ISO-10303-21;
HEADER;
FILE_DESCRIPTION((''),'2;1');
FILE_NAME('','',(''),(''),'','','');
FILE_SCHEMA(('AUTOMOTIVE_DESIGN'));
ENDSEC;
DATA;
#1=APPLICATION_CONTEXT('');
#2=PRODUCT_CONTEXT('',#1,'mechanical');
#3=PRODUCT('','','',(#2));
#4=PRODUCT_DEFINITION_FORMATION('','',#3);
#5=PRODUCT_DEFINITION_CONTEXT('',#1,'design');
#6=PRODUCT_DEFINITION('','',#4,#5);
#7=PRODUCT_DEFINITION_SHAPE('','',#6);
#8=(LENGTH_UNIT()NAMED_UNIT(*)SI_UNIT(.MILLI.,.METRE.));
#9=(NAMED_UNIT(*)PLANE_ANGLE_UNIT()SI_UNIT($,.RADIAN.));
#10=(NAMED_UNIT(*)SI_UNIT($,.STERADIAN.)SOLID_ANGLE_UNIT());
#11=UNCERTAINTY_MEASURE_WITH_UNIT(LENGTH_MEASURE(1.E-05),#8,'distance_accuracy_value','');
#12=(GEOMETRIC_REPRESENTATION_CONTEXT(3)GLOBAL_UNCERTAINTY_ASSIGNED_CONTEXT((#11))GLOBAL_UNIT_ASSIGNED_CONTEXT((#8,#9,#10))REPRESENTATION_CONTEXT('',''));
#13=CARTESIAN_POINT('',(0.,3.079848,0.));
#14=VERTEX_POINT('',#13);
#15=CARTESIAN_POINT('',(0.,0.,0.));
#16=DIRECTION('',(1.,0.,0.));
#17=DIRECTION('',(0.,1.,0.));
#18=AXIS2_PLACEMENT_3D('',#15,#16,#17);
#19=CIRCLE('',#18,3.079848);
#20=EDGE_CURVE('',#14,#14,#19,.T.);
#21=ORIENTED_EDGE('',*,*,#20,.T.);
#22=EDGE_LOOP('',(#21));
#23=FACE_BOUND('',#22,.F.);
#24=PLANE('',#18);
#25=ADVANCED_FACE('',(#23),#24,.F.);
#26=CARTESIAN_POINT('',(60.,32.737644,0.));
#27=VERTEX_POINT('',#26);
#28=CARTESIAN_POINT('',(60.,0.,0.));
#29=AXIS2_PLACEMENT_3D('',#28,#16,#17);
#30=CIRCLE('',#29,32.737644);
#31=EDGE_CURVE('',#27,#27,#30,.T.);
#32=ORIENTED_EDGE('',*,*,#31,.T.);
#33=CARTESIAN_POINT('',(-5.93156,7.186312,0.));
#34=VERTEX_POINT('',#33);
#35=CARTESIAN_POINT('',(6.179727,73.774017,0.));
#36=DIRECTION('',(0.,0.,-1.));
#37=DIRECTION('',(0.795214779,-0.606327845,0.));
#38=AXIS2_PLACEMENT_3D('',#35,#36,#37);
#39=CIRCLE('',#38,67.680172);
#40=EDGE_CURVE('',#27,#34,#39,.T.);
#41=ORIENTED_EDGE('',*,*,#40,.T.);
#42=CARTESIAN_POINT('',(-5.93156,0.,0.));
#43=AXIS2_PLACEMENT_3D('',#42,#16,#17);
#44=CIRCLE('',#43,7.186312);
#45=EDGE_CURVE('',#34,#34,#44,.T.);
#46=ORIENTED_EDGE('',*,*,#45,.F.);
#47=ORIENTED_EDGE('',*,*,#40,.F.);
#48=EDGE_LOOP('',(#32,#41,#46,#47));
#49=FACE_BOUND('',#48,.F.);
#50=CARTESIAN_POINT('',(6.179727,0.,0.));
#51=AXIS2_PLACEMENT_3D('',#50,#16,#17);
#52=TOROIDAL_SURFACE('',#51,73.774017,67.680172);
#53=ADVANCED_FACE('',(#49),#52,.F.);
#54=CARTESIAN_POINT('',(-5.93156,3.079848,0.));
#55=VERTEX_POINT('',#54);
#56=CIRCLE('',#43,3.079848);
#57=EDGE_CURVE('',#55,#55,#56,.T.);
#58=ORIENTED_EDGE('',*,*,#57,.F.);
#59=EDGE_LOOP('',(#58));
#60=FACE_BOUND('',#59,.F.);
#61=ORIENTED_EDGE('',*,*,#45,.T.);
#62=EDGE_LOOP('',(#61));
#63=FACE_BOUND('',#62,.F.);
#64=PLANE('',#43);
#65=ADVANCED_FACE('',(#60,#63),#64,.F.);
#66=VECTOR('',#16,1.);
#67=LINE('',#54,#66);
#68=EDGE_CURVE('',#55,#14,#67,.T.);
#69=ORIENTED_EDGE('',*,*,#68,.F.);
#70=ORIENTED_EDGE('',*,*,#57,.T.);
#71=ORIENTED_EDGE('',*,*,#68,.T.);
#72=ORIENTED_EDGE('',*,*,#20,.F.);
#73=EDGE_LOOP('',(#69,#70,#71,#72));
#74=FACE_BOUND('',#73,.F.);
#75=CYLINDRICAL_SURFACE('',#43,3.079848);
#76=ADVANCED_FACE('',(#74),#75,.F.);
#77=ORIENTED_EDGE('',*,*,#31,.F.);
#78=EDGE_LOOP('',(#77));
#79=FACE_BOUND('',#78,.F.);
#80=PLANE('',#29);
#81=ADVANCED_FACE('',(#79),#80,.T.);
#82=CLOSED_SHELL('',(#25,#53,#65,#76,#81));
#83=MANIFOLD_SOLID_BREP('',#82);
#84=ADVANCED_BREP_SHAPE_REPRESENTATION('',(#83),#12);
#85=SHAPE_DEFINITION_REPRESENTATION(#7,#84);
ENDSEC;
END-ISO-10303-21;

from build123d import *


with BuildPart() as f1:
    # F0 (on Top) → F1 (revolve)
    with BuildSketch(Plane.XY):
        with BuildLine():
            Line((0, 0), (60, 0))
            Line((60, 0), (60, 32.737644))
            ThreePointArc((60, 32.737644), (30.636373, 10.667138), (-5.93156, 7.186312))
            Line((-5.93156, 7.186312), (-5.93156, 3.079848))
            Line((-5.93156, 3.079848), (0, 3.079848))
            Line((0, 3.079848), (0, 0))
        make_face()
    revolve(axis=Axis((30, 0, 0), (1, 0, 0)))


solid = f1.part
